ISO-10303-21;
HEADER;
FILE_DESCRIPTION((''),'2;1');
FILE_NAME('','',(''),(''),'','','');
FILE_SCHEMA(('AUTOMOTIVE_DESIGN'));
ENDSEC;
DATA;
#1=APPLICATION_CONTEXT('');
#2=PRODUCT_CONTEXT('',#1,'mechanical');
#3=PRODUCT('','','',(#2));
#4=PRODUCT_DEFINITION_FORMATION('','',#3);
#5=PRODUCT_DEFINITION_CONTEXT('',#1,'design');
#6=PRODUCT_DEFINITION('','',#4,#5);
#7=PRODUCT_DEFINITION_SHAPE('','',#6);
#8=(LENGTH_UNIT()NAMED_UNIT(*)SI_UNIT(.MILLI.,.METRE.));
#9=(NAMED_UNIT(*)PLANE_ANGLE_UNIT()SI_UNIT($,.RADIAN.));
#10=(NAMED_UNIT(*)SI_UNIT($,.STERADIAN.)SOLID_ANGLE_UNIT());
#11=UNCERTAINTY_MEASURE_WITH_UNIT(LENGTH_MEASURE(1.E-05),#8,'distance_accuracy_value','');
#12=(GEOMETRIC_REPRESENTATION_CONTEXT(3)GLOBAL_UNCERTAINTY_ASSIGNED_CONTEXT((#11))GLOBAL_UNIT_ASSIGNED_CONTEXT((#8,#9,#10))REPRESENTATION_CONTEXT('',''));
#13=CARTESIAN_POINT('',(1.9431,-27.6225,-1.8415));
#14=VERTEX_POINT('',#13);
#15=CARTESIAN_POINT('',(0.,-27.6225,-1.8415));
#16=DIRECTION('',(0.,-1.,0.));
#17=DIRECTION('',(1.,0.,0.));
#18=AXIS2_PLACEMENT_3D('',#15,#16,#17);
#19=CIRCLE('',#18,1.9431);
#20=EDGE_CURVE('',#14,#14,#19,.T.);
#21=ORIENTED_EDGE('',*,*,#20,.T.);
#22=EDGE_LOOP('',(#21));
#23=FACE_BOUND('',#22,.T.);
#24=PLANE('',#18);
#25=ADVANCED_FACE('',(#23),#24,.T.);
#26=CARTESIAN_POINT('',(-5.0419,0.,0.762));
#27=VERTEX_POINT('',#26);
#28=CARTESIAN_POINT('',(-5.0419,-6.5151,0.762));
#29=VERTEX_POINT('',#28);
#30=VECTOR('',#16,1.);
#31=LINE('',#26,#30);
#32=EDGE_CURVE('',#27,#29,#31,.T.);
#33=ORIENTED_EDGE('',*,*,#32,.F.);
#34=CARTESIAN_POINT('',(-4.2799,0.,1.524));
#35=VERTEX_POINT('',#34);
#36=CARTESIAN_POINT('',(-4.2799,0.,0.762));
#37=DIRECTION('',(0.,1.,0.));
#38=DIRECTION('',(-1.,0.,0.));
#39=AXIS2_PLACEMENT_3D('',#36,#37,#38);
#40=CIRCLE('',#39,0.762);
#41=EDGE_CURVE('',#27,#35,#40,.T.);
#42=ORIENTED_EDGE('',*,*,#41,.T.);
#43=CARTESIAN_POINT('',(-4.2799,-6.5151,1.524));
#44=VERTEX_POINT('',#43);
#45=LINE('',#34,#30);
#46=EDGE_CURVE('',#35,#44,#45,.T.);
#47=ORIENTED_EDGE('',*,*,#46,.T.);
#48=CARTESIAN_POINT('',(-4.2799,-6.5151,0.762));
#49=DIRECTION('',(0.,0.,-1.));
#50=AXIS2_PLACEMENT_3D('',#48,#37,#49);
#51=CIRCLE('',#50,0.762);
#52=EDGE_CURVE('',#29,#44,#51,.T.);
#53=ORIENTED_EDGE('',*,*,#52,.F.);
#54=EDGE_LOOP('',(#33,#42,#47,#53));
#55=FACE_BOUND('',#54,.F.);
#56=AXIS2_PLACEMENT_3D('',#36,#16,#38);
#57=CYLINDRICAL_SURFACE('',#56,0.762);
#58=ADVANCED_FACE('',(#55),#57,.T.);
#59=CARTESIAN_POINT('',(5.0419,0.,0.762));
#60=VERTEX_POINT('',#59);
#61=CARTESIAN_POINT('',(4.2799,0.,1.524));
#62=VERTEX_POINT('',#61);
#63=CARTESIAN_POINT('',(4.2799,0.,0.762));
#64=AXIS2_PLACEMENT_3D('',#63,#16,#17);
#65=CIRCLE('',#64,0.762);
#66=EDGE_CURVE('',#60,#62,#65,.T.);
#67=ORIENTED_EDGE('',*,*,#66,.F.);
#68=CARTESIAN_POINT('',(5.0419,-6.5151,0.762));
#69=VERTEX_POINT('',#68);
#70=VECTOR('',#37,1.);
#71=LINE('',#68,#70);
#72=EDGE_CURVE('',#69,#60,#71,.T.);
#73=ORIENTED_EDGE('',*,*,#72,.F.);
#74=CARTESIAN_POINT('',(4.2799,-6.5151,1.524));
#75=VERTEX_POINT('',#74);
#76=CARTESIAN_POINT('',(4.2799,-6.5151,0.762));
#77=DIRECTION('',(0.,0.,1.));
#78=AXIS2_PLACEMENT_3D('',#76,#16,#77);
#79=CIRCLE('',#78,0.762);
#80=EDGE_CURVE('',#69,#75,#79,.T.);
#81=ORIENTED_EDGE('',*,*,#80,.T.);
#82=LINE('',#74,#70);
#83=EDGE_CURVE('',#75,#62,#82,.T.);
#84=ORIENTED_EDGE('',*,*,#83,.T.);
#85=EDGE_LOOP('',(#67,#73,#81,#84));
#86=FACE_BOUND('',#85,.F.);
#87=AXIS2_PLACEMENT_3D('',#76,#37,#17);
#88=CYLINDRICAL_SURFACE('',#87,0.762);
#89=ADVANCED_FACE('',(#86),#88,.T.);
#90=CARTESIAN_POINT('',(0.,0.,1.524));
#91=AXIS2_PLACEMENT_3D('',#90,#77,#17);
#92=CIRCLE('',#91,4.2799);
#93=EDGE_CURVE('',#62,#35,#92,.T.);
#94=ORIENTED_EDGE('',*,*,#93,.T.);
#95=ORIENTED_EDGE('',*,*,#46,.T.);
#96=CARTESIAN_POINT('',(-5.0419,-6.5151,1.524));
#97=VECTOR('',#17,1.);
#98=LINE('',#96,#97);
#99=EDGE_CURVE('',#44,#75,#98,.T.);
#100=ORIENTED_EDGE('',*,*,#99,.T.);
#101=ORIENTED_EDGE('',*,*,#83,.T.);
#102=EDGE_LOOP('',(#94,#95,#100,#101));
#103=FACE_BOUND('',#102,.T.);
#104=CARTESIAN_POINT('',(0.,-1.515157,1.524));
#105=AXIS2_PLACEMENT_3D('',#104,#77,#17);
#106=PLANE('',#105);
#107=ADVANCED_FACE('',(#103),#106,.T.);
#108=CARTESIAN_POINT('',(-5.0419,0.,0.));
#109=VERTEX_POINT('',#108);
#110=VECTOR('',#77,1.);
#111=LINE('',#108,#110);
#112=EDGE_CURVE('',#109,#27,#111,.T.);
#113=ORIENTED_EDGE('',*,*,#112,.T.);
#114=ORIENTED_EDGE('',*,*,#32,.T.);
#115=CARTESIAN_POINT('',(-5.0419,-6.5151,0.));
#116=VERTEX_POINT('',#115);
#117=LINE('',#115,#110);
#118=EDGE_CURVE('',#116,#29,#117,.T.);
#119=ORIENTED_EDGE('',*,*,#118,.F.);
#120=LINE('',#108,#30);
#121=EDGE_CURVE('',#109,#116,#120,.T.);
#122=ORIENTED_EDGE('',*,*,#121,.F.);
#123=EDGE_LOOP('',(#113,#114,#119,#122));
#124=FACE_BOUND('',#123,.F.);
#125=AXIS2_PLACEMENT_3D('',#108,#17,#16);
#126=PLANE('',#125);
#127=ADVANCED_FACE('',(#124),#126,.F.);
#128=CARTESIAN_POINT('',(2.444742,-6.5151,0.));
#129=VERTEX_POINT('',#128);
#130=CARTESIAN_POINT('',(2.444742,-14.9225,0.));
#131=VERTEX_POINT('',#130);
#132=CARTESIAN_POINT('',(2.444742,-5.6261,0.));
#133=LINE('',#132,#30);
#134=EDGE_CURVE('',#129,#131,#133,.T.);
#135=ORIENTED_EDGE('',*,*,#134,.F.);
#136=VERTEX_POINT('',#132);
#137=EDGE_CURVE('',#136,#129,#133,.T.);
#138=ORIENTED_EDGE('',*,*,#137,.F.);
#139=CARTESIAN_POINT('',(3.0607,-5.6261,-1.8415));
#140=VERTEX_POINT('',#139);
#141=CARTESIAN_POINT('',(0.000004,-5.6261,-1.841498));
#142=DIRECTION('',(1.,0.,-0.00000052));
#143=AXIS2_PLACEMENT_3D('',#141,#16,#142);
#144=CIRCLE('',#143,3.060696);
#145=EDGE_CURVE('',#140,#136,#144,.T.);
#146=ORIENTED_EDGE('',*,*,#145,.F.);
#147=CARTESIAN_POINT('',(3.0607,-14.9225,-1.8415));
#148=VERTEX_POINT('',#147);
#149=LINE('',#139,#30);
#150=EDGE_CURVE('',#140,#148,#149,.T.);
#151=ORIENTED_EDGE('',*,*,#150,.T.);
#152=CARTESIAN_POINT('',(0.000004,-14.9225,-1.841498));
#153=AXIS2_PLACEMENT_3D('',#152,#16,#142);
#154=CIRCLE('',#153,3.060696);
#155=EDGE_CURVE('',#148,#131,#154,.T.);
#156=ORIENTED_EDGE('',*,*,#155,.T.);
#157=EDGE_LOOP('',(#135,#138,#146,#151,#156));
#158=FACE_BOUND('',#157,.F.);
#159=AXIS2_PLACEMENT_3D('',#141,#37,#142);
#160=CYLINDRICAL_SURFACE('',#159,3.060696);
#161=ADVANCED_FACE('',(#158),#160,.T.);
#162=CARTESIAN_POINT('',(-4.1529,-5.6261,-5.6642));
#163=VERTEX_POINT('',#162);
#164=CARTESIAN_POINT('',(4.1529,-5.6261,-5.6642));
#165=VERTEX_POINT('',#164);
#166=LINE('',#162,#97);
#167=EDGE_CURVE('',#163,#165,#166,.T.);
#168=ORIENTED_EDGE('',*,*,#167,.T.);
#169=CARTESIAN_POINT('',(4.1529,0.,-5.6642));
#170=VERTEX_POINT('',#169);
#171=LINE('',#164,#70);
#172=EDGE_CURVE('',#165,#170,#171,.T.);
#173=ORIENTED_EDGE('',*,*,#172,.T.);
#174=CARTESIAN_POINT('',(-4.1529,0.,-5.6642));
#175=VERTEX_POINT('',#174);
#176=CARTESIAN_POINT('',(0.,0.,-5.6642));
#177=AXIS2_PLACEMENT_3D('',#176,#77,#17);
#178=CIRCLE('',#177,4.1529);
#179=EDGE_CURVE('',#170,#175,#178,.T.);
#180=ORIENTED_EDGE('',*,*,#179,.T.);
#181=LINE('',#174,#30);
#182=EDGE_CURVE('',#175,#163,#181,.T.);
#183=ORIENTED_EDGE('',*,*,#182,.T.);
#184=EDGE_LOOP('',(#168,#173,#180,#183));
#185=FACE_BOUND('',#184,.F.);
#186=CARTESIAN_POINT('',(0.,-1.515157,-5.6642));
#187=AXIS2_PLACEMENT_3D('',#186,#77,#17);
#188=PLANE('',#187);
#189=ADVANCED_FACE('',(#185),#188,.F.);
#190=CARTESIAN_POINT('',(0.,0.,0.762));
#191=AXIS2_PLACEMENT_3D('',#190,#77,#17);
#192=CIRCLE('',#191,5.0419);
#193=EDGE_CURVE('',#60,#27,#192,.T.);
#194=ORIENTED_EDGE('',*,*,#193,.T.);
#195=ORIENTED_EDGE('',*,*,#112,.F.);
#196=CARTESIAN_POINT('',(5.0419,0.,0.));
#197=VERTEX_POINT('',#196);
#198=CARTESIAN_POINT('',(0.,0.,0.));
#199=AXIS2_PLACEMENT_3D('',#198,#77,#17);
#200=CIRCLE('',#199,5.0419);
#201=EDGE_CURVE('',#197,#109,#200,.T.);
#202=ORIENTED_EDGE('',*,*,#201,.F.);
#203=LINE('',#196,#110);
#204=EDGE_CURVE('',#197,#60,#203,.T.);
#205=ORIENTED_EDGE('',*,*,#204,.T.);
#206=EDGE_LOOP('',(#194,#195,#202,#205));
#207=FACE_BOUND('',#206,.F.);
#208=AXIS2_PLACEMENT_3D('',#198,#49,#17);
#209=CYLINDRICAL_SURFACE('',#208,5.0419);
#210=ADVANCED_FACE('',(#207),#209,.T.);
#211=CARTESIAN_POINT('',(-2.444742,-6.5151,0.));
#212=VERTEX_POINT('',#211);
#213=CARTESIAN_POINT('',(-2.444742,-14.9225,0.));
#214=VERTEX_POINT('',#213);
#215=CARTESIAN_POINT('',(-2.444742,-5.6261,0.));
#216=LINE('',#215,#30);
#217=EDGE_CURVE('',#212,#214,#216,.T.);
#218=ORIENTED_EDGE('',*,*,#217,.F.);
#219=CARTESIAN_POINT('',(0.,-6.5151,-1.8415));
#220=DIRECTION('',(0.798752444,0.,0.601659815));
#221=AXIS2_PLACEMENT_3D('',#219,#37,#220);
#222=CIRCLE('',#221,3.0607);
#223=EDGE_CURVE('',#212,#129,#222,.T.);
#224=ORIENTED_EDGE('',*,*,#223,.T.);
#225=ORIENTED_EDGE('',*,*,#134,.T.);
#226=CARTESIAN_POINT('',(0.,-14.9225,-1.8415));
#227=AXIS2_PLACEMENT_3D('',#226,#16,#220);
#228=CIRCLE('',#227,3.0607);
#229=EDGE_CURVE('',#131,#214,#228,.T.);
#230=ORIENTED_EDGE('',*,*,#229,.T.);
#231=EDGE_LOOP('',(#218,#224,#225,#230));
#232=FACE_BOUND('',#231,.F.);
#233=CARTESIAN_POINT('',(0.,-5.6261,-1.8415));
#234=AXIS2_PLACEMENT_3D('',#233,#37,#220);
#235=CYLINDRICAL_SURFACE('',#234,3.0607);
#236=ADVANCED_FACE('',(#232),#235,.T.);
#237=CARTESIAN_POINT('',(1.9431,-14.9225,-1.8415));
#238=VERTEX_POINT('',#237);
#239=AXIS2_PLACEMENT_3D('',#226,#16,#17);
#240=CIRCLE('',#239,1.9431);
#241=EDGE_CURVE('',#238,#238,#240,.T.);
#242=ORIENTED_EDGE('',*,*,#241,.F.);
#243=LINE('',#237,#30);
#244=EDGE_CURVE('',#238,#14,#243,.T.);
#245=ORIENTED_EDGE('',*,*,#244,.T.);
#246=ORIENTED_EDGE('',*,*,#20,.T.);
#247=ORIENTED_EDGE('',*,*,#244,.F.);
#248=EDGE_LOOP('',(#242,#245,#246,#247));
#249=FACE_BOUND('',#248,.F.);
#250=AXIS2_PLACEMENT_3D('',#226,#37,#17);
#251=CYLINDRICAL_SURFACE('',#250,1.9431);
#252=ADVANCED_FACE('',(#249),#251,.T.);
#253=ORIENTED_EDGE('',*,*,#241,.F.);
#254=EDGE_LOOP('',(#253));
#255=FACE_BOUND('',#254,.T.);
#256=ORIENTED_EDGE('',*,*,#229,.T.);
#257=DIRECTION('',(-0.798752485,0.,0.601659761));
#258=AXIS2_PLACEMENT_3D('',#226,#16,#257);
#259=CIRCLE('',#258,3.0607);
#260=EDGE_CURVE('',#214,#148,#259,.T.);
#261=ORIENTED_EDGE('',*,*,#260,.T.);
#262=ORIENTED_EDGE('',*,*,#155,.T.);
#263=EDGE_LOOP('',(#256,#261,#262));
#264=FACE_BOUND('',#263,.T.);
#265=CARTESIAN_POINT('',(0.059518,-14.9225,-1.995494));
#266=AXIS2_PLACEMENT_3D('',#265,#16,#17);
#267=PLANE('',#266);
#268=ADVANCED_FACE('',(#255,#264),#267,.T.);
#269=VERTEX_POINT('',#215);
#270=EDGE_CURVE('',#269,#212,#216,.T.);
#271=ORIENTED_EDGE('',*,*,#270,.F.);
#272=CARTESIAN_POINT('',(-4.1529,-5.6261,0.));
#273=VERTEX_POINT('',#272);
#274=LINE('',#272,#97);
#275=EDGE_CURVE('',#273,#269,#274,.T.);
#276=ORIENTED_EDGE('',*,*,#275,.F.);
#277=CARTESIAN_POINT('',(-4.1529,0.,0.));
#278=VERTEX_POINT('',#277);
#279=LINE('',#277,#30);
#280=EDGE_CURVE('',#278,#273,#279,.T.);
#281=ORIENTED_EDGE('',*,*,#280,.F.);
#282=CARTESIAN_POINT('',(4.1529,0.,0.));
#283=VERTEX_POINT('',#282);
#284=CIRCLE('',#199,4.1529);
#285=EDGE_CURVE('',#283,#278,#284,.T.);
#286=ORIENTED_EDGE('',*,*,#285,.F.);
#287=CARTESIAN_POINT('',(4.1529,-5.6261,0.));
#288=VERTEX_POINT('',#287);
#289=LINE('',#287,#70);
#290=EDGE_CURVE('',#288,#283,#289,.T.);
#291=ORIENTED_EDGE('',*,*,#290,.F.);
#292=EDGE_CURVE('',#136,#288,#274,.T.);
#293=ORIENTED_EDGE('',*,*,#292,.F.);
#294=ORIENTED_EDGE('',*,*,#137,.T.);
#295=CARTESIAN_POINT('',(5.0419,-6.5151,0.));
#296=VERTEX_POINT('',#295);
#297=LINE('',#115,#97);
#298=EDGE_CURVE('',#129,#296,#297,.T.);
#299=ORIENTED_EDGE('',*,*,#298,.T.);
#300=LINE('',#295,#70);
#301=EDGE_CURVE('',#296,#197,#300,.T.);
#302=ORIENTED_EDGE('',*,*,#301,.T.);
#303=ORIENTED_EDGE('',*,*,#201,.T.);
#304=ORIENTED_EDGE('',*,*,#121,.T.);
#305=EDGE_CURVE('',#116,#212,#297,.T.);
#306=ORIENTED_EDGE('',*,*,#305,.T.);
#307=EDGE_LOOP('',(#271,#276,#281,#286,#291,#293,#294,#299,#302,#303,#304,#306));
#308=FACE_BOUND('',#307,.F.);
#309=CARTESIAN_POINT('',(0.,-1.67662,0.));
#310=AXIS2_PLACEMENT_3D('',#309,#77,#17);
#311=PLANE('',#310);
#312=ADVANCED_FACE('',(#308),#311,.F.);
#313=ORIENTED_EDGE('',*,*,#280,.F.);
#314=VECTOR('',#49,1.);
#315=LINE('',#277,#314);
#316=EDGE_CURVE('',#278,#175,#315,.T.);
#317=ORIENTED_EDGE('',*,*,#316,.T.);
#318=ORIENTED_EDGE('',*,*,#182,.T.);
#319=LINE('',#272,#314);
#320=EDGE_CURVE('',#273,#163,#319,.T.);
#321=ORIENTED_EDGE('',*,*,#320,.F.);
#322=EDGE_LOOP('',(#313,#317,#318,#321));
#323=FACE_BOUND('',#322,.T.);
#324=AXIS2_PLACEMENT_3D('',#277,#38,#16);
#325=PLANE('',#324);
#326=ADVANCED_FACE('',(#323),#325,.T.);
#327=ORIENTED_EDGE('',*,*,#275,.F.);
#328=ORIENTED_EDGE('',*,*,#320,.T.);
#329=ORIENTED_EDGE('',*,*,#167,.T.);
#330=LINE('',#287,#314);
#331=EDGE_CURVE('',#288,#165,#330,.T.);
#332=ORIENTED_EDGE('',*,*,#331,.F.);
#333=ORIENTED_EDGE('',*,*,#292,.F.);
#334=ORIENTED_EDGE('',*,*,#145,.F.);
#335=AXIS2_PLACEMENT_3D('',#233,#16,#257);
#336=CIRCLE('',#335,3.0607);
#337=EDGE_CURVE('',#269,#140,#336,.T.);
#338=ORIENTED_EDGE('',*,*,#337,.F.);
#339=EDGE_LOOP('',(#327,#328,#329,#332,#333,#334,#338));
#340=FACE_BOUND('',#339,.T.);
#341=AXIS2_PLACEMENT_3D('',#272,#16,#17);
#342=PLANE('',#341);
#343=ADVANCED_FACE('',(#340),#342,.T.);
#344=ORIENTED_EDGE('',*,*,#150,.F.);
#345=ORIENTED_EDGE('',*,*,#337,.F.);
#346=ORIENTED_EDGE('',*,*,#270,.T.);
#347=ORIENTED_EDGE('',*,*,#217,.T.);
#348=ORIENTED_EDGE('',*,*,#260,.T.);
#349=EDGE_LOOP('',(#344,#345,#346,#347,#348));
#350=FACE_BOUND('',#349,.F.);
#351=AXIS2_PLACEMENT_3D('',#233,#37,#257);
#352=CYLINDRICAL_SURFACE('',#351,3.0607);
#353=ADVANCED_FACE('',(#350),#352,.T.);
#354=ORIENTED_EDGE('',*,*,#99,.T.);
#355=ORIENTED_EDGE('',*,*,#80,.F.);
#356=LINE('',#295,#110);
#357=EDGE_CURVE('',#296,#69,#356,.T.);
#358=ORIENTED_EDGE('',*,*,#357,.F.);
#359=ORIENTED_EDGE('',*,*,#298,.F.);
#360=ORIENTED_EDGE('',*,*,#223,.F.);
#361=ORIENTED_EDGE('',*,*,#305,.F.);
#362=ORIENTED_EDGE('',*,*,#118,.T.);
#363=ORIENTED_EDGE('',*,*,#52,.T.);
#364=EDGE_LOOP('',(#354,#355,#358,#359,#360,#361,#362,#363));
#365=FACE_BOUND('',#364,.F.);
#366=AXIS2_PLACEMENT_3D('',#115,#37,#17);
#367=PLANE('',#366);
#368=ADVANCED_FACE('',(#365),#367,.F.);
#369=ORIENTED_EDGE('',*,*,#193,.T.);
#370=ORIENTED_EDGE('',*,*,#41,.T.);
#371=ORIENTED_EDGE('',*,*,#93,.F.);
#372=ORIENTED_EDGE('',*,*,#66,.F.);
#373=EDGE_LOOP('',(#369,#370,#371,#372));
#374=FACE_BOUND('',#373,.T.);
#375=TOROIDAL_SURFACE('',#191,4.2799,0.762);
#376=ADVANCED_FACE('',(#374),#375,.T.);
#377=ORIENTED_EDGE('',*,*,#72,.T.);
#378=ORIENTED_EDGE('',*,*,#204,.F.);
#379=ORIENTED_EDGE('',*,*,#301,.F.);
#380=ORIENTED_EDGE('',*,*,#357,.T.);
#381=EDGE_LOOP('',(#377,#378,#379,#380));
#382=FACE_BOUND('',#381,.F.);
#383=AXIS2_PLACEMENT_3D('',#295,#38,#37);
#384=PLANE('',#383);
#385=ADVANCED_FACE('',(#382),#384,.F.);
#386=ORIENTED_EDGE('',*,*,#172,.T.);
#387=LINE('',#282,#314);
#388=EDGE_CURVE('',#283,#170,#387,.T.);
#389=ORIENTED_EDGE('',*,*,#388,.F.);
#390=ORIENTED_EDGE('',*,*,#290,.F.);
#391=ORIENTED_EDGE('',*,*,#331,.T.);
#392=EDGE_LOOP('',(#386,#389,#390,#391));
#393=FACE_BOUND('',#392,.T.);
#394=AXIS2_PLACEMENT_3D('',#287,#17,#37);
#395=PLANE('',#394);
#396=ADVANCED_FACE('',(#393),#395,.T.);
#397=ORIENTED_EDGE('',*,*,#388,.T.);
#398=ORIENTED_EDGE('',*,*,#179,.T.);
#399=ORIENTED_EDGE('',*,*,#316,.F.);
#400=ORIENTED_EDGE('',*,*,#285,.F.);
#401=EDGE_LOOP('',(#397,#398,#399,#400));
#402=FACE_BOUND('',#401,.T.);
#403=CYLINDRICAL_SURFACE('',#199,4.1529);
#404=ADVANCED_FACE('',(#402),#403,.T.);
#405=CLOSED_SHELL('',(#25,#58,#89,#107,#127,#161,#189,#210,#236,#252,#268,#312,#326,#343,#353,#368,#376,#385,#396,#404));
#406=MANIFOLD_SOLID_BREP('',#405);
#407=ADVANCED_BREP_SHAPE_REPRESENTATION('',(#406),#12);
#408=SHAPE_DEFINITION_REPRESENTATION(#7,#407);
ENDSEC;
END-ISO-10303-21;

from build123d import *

# Parameters (mm, degrees)
F1_DEPTH = 5.6642
F3_DEPTH = 1.524
F4_DEPTH = 1.524
F6_DEPTH = 9.2964
F7_R     = 0.762
F8_R     = 1.9431
F9_DEPTH = 12.7


with BuildPart() as f1:
    # F0 (on Top) → F1 (new body)
    with BuildSketch(Plane.XY):
        with BuildLine():
            Line((4.1529, -5.6261), (4.1529, 0))
            ThreePointArc((4.1529, 0), (0, 4.1529), (-4.1529, 0))
            Line((-4.1529, 0), (-4.1529, -5.6261))
            Line((-4.1529, -5.6261), (4.1529, -5.6261))
        make_face()
    extrude(amount=-F1_DEPTH)

    # F2 (on face) → F3 (join)
    with BuildSketch(Plane.XY):
        with BuildLine():
            ThreePointArc((5.0419, 0), (0, 5.0419), (-5.0419, 0))
            Line((-5.0419, 0), (-5.0419, -6.5151))
            Line((-5.0419, -6.5151), (5.0419, -6.5151))
            Line((5.0419, -6.5151), (5.0419, 0))
        make_face()
        with BuildLine():
            Line((-4.1529, -5.6261), (-4.1529, 0))
            ThreePointArc((-4.1529, 0), (0, 4.1529), (4.1529, 0))
            Line((4.1529, 0), (4.1529, -5.6261))
            Line((4.1529, -5.6261), (-4.1529, -5.6261))
        make_face(mode=Mode.SUBTRACT)
    extrude(amount=F3_DEPTH)



with BuildPart() as f4:
    # F1_face (on face) → F4 (new body, through all)
    with BuildSketch(Plane(origin=(0, -1.133876, 0), x_dir=(1, 0, 0), z_dir=(0, 0, 1))):
        with BuildLine():
            Line((-4.1529, 1.133876), (-4.1529, -4.492224))
            Line((-4.1529, -4.492224), (4.1529, -4.492224))
            Line((4.1529, -4.492224), (4.1529, 1.133876))
            ThreePointArc((4.1529, 1.133876), (0, 5.286776), (-4.1529, 1.133876))
        make_face()
    extrude(amount=F4_DEPTH)


with BuildPart() as f1_1:
    add(f1.part)

    add(f4.part)  # F6 merges F4
    # F5 (on face) → F6 (join)
    with BuildSketch(Plane.XZ.offset(5.6261)):
        with BuildLine():
            ThreePointArc((-2.444742, 0), (-0.970892, -4.744129), (3.0607, -1.8415))
            ThreePointArc((3.0607, -1.8415), (2.902629, -0.870608), (2.444742, 0))
            Line((2.444742, 0), (-2.444742, 0))
        make_face()
        with BuildLine():
            Line((-2.444742, 0), (2.444742, 0))
            ThreePointArc((2.444742, 0), (0, 1.2192), (-2.444742, 0))
        make_face()
    extrude(amount=F6_DEPTH)

    # F7
    f7_edges = [f1_1.edges().sort_by_distance(p)[0] for p in [
        (5.0419, -3.25755, 1.524),
    ]]
    fillet(f7_edges, radius=F7_R)

    # F8 (on face) → F9 (join)
    with BuildSketch(Plane.XZ.offset(14.9225)):
        with Locations((0, -1.8415)):
            Circle(F8_R)
    extrude(amount=F9_DEPTH)


solid = f1_1.part
